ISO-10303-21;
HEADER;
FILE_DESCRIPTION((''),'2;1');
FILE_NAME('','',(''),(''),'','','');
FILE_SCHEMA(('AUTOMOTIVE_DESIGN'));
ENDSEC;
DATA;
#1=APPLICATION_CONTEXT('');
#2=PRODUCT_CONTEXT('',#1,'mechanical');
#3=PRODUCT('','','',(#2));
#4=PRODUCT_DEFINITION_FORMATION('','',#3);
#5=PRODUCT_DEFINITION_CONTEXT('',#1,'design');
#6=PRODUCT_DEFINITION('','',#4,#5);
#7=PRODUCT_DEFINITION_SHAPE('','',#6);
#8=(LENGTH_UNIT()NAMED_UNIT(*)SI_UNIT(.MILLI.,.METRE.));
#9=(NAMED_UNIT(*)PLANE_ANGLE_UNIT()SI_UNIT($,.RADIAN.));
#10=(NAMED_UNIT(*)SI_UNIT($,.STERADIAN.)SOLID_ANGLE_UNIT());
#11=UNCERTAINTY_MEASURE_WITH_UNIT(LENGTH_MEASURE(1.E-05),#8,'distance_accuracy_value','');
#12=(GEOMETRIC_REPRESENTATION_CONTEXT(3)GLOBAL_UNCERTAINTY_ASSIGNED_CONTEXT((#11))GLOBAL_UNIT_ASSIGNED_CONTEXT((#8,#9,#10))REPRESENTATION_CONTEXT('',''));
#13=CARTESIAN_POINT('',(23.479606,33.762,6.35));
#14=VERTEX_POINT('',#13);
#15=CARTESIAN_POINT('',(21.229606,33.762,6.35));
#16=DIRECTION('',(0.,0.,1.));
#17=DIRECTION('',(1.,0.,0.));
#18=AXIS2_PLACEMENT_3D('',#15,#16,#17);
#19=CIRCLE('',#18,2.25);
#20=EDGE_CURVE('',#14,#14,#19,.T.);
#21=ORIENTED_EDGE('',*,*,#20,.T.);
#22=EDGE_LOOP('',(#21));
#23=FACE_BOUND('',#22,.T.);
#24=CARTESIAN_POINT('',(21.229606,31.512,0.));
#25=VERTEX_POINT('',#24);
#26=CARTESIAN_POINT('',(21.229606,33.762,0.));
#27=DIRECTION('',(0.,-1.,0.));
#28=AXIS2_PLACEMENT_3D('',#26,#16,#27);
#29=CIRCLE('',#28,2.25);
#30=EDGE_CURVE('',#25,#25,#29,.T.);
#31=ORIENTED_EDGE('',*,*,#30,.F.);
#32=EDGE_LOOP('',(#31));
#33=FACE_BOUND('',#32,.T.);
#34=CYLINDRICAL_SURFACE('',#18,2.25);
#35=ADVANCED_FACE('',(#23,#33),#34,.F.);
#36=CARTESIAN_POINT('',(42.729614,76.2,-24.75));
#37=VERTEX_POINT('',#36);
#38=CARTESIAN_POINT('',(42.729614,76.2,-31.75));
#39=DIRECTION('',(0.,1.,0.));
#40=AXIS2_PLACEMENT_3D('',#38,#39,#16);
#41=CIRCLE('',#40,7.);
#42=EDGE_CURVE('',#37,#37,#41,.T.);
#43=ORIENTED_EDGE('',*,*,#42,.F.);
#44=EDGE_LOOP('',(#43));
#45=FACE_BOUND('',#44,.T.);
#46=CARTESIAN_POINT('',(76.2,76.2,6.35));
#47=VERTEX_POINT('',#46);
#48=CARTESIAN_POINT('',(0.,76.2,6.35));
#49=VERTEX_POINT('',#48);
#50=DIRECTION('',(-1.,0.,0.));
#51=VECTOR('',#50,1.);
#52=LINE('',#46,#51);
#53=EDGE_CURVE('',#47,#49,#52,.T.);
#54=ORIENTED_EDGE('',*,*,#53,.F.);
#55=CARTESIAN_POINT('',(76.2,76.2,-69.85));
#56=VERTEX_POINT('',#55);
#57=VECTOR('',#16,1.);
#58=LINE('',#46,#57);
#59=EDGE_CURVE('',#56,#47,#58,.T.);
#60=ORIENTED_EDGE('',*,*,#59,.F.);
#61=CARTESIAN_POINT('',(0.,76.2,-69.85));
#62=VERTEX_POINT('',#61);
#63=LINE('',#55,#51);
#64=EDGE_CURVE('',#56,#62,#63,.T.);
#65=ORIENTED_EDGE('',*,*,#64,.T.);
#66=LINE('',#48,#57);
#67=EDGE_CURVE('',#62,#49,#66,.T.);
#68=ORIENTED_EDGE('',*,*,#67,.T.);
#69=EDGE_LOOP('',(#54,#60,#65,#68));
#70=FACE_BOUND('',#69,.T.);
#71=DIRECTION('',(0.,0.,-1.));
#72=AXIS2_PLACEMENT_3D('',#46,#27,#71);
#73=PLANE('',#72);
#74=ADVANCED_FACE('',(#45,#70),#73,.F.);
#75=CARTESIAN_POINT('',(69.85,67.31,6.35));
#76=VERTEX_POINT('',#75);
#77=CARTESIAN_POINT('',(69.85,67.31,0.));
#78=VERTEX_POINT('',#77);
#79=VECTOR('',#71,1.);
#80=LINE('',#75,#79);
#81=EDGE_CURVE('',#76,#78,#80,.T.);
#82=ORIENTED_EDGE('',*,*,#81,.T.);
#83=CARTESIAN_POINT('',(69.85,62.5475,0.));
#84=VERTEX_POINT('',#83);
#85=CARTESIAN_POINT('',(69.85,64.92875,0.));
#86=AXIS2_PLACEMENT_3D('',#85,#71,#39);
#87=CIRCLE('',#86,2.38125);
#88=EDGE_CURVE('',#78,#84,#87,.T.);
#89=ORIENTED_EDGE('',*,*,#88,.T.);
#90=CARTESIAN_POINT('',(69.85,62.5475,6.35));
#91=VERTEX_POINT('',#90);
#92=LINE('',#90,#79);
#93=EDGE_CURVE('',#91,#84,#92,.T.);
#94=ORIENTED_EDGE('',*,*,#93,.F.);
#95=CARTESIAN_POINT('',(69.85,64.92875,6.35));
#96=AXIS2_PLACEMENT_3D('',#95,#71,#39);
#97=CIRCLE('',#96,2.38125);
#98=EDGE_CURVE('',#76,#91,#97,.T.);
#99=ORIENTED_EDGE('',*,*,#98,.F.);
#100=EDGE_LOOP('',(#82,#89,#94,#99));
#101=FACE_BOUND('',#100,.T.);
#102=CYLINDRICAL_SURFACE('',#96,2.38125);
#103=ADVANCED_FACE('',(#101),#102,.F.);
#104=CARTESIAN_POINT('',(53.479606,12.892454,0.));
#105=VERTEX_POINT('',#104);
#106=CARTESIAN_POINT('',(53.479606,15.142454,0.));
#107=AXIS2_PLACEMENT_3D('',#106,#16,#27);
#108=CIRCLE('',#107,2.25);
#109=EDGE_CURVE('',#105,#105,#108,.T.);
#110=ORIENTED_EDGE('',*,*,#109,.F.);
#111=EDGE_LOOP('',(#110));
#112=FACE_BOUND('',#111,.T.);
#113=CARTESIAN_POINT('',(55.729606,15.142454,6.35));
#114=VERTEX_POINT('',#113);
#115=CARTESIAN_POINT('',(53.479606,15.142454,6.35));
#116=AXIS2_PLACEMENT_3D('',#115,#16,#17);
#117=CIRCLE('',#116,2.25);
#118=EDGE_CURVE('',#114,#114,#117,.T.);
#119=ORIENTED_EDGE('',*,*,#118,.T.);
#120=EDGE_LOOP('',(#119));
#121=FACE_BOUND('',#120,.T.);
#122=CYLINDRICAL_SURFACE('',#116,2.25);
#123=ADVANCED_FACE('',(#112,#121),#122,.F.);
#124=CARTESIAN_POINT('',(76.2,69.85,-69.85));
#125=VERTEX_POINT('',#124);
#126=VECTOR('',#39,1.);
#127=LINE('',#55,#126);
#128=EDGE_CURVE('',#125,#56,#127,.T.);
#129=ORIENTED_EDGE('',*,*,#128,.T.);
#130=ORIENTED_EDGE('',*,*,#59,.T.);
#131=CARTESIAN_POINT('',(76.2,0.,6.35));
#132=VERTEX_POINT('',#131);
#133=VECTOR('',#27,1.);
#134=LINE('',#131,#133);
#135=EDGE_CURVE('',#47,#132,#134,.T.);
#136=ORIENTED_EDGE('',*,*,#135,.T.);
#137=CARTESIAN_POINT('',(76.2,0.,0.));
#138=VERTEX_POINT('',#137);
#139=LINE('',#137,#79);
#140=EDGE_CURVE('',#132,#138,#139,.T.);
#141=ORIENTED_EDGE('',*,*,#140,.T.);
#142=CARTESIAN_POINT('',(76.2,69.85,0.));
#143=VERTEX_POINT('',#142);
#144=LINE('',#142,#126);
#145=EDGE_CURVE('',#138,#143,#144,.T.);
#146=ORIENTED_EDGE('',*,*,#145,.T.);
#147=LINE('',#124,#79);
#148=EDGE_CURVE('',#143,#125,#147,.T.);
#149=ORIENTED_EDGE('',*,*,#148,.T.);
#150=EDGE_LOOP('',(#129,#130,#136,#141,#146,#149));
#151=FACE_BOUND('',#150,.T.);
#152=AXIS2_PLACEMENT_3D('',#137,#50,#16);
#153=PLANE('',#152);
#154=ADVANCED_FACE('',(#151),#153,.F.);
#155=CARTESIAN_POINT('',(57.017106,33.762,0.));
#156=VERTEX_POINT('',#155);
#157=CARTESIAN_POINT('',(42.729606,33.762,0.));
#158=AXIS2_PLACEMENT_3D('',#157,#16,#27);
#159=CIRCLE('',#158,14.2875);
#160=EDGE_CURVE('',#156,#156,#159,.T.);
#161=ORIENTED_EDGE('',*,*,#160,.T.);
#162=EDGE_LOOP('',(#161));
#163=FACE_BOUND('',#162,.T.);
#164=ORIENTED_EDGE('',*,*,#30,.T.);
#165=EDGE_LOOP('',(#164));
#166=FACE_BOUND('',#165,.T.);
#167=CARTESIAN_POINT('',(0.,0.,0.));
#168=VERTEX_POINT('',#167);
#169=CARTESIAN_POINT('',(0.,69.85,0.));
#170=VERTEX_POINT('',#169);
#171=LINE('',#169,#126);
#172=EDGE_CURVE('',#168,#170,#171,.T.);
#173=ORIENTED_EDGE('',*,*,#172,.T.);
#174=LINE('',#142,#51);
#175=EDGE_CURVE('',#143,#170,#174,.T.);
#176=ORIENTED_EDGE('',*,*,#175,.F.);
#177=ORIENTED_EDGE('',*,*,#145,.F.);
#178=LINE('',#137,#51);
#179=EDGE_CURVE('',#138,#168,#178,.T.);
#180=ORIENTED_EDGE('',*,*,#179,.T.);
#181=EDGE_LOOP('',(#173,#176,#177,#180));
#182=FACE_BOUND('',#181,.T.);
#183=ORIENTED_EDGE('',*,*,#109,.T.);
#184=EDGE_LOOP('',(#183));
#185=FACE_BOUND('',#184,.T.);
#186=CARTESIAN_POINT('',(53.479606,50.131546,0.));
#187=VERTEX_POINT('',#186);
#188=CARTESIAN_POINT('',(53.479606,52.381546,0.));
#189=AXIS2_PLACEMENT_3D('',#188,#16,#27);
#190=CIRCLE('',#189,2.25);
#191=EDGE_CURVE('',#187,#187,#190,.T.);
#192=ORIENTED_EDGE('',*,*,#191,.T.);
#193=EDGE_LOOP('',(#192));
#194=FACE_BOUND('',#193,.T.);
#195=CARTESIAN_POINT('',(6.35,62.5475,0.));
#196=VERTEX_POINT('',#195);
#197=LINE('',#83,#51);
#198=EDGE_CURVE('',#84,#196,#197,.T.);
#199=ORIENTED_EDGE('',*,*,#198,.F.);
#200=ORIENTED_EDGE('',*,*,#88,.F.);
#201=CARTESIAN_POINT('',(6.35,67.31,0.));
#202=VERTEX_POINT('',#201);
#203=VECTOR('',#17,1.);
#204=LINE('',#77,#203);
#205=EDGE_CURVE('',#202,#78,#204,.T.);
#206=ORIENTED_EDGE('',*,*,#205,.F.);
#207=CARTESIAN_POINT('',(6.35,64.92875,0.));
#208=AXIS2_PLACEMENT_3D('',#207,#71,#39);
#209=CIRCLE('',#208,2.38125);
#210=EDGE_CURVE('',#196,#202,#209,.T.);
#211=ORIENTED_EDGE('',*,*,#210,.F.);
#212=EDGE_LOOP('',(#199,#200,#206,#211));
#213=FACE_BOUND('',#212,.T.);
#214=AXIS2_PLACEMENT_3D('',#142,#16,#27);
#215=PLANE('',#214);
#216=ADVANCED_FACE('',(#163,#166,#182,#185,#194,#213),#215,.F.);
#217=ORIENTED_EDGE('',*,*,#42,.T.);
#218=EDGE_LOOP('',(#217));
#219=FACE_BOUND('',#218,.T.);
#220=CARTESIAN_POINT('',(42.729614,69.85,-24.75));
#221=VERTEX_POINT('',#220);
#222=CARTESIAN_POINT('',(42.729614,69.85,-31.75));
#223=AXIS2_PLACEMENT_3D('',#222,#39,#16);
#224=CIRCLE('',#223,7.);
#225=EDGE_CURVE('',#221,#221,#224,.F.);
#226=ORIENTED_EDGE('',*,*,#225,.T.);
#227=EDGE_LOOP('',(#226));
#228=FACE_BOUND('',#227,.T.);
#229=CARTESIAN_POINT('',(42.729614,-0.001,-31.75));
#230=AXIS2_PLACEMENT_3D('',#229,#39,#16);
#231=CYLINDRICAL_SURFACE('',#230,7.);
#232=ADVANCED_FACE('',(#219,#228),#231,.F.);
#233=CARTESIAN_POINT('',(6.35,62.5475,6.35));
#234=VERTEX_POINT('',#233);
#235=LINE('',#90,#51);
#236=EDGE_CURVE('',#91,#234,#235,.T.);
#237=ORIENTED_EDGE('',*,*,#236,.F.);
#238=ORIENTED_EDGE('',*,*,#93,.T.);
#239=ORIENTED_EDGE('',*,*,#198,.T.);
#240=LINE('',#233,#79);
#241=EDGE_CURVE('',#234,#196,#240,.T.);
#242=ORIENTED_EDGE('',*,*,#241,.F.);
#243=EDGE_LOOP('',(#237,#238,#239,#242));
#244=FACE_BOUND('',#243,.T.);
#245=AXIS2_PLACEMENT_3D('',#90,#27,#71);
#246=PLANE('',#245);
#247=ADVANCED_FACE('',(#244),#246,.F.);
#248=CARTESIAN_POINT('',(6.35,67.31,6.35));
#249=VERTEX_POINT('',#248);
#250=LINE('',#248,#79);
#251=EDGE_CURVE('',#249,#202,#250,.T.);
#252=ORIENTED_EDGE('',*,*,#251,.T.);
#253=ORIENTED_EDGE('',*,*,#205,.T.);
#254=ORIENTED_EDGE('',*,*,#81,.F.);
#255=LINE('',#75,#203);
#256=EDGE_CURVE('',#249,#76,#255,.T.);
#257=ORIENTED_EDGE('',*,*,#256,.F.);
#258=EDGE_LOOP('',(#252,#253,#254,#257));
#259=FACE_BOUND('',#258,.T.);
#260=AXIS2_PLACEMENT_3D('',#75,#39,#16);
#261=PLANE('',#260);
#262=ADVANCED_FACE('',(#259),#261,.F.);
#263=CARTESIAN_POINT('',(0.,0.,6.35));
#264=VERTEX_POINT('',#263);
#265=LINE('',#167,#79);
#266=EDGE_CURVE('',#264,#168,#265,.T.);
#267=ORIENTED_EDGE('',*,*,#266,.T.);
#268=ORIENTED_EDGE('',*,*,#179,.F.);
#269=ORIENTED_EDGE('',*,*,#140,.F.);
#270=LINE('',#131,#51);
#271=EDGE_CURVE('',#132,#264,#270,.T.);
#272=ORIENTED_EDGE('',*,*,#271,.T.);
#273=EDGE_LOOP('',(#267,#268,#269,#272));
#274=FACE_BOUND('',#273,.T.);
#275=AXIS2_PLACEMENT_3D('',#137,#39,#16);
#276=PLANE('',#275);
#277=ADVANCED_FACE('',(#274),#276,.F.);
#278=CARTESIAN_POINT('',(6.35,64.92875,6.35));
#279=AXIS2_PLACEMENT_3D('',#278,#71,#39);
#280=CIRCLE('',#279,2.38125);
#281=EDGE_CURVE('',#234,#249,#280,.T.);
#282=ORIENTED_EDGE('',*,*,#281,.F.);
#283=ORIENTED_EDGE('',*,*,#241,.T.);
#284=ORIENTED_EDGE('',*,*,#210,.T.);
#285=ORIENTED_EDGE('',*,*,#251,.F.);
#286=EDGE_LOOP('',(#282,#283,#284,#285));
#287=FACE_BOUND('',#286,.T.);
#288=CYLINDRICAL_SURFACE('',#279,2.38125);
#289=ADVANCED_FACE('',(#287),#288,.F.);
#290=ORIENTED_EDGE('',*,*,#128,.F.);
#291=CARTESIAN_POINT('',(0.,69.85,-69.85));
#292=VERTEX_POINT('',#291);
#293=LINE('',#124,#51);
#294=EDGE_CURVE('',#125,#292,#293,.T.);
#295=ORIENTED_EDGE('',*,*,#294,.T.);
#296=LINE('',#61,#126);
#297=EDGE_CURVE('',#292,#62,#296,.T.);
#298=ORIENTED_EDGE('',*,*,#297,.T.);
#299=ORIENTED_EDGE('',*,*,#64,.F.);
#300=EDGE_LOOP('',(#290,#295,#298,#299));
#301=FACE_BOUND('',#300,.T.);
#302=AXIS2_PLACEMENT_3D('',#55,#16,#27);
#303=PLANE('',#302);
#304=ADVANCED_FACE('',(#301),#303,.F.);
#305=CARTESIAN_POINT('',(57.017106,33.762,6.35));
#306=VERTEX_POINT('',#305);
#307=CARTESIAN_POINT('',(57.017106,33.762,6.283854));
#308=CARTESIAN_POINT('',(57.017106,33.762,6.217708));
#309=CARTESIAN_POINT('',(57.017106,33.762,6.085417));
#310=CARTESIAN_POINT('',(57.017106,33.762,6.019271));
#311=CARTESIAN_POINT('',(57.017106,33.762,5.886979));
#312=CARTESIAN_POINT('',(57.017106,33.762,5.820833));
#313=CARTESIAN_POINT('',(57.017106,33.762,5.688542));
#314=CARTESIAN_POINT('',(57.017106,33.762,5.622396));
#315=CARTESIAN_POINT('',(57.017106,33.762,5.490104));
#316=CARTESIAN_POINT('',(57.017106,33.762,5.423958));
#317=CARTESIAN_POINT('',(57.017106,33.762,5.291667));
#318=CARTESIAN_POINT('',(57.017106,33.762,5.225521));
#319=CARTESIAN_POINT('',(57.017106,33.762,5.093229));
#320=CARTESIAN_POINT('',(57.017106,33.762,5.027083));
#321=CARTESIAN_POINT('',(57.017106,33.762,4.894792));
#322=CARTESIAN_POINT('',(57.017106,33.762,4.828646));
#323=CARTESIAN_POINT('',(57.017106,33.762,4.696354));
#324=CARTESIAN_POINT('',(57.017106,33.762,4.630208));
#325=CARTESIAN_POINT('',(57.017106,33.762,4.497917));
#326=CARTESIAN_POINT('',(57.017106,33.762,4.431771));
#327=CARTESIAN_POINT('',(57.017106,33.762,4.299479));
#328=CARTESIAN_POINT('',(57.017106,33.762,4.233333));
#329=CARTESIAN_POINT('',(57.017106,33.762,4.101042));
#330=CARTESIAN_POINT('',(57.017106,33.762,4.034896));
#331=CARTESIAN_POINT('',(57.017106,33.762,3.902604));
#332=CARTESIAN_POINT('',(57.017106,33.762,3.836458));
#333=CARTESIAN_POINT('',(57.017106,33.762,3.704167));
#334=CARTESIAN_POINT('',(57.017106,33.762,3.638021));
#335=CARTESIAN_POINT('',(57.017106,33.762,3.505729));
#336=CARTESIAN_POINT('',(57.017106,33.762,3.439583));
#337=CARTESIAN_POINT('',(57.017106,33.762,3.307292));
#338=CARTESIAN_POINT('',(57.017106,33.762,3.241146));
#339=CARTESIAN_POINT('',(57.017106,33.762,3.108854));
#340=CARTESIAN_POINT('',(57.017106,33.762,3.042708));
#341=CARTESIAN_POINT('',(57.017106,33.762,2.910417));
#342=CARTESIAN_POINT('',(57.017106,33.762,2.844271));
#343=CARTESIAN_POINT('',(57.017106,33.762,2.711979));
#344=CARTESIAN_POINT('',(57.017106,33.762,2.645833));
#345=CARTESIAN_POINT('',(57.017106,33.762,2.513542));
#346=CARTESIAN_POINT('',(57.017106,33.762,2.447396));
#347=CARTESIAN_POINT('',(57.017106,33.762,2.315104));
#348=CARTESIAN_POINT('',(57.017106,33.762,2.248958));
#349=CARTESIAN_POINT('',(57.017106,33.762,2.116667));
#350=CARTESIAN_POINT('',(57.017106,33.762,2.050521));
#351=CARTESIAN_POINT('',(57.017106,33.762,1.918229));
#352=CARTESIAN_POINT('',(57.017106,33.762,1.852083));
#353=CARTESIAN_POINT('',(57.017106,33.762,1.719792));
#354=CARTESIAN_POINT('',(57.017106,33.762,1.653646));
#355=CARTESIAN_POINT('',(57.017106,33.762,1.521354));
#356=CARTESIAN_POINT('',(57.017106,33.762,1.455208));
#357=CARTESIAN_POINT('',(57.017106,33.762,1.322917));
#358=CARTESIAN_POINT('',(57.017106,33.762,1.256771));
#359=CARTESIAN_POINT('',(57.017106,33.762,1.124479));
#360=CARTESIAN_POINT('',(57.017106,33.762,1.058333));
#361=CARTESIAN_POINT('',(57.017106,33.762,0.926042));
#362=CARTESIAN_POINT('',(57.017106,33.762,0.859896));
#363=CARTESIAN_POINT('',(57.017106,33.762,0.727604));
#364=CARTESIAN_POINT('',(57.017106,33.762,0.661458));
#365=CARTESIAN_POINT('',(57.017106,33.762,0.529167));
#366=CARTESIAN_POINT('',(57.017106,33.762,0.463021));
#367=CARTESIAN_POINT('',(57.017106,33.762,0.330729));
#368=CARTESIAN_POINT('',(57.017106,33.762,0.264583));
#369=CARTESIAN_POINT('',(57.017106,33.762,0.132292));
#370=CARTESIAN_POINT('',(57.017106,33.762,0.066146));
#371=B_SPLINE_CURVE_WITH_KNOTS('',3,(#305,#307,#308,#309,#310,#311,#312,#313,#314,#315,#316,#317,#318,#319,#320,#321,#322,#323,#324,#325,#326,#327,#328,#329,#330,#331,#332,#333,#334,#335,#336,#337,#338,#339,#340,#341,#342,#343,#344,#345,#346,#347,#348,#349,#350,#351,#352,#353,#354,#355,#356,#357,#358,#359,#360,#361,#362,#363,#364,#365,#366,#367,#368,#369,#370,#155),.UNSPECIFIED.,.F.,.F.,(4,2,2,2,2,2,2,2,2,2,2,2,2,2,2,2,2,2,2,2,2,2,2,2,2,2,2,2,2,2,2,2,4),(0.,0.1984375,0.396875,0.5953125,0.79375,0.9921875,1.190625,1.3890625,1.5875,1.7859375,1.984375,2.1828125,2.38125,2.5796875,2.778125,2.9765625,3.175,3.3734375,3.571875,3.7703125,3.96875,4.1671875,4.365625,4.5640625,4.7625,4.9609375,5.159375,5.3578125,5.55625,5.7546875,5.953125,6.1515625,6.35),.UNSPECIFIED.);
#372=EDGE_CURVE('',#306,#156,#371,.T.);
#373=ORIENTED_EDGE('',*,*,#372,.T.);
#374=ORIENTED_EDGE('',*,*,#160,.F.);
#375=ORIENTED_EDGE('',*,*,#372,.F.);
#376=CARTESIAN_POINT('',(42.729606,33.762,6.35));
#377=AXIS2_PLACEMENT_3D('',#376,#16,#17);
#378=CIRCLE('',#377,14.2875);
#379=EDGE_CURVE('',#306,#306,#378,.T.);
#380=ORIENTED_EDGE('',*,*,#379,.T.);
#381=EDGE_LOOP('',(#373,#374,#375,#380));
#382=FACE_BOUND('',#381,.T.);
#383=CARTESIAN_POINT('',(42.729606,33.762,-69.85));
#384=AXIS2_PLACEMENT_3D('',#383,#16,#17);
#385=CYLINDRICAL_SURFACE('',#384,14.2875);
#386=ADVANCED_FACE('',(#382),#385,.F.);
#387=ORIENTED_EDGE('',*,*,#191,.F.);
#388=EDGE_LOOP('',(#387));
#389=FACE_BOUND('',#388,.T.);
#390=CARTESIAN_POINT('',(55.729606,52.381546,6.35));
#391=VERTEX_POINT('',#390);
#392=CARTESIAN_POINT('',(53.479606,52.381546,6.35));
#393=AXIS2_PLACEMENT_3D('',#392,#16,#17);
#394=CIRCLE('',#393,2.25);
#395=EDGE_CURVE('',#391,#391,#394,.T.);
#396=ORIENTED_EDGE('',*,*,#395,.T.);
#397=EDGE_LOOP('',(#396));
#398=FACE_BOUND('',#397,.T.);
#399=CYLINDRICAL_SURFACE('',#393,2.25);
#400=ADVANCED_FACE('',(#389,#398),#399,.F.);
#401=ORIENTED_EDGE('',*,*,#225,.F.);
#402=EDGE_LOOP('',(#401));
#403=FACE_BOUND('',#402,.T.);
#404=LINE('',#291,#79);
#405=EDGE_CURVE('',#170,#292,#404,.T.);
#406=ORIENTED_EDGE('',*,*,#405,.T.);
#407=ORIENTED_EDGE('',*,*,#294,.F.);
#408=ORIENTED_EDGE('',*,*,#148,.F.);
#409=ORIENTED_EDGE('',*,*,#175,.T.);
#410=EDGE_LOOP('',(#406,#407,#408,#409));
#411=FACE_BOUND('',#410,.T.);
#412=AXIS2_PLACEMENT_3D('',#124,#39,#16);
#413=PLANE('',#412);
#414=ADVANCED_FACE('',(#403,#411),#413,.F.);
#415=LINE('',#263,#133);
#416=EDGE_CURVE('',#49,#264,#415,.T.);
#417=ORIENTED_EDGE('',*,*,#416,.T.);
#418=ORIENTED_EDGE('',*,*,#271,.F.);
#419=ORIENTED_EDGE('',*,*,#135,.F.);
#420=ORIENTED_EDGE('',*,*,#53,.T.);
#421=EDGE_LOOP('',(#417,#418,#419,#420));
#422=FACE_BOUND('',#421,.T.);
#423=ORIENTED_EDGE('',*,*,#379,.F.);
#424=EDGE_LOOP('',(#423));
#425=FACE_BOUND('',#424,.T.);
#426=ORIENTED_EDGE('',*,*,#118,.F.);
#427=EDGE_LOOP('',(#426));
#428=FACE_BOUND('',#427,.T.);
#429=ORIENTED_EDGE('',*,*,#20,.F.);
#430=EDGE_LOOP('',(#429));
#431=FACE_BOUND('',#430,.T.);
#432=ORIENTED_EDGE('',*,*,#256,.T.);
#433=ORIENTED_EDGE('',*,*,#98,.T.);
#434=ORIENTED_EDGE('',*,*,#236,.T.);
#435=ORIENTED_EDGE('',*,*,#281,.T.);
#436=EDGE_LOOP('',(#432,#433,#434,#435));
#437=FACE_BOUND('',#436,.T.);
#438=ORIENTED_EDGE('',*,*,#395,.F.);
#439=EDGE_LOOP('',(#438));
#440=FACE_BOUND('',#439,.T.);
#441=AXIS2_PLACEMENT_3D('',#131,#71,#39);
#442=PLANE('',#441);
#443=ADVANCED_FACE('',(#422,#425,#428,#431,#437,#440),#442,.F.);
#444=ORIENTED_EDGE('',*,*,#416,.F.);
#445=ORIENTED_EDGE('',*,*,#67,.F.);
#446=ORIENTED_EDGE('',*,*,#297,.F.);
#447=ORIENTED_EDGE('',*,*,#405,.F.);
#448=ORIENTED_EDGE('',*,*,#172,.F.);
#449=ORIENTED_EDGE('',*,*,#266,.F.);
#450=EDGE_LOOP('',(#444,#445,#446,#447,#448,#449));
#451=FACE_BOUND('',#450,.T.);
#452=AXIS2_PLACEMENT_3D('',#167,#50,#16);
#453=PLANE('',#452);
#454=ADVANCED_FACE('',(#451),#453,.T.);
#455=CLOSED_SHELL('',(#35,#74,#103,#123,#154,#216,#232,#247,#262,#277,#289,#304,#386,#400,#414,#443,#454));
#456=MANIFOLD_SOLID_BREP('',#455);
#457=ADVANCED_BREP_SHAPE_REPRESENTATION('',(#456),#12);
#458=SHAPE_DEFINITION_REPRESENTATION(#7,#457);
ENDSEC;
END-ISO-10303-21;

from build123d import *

# Parameters (mm, degrees)
BOSS_EXTRUDE1_DEPTH  = 76.2
SKETCH2_R            = 14.2875
CUT_EXTRUDE1_DEPTH   = 132.982271537
M4_CLEARANCE_HOLE1_D = 4.5
CUT_EXTRUDE2_REACH   = 130.421
SKETCH6_R            = 7
CUT_EXTRUDE3_DEPTH   = 129.420802443


with BuildPart() as part:
    # Sketch1 → Boss-Extrude1 (new body)
    with BuildSketch(Plane(origin=(0, 0, 0), x_dir=(0, 0, -1), z_dir=(1, 0, 0))):
        Polygon((-6.35, 76.2), (69.85, 76.2), (69.85, 69.85), (0, 69.85), (0, 0), (-6.35, 0), align=None)
    extrude(amount=BOSS_EXTRUDE1_DEPTH)

    # Sketch2 → Cut-Extrude1 (cut, through all)
    with BuildSketch(Plane.XY.offset(6.35)):
        with Locations((42.729606228, 33.762)):
            Circle(SKETCH2_R)
    extrude(amount=-CUT_EXTRUDE1_DEPTH, mode=Mode.SUBTRACT)

    # M4 Clearance Hole1 (through all)
    with Locations(Plane.XY.offset(6.35)):
        with Locations((53.479606228, 52.381546181), (21.229606228, 33.762), (53.479606228, 15.142453819)):
            Hole(M4_CLEARANCE_HOLE1_D / 2)

    # Sketch6 → Cut-Extrude2 (cut, up to next)
    with BuildSketch(Plane(origin=(0, 76.2, 0), x_dir=(1, 0, 0), z_dir=(0, 1, 0)), mode=Mode.PRIVATE) as cut_extrude2_sk1:
        with Locations(Location((42.729614414, 31.75, 0), (0, 0, 270))):
            Circle(SKETCH6_R)
    cut_extrude2_tool1 = extrude(cut_extrude2_sk1.sketch, amount=-CUT_EXTRUDE2_REACH, mode=Mode.PRIVATE) & part.part
    add(cut_extrude2_tool1.solids().sort_by_distance((42.729614, 76.2, -31.75))[0], mode=Mode.SUBTRACT)

    # Sketch7 → Cut-Extrude3 (cut, through all)
    with BuildSketch(Plane(origin=(0, 0, 0), x_dir=(-1, 0, 0), z_dir=(0, 0, -1))):
        with BuildLine():
            Line((-69.85, 67.31), (-6.35, 67.31))
            ThreePointArc((-6.35, 67.31), (-3.96875, 64.92875), (-6.35, 62.5475))
            Line((-6.35, 62.5475), (-69.85, 62.5475))
            ThreePointArc((-69.85, 62.5475), (-72.23125, 64.92875), (-69.85, 67.31))
        make_face()
    extrude(amount=-CUT_EXTRUDE3_DEPTH, mode=Mode.SUBTRACT)


solid = part.part
